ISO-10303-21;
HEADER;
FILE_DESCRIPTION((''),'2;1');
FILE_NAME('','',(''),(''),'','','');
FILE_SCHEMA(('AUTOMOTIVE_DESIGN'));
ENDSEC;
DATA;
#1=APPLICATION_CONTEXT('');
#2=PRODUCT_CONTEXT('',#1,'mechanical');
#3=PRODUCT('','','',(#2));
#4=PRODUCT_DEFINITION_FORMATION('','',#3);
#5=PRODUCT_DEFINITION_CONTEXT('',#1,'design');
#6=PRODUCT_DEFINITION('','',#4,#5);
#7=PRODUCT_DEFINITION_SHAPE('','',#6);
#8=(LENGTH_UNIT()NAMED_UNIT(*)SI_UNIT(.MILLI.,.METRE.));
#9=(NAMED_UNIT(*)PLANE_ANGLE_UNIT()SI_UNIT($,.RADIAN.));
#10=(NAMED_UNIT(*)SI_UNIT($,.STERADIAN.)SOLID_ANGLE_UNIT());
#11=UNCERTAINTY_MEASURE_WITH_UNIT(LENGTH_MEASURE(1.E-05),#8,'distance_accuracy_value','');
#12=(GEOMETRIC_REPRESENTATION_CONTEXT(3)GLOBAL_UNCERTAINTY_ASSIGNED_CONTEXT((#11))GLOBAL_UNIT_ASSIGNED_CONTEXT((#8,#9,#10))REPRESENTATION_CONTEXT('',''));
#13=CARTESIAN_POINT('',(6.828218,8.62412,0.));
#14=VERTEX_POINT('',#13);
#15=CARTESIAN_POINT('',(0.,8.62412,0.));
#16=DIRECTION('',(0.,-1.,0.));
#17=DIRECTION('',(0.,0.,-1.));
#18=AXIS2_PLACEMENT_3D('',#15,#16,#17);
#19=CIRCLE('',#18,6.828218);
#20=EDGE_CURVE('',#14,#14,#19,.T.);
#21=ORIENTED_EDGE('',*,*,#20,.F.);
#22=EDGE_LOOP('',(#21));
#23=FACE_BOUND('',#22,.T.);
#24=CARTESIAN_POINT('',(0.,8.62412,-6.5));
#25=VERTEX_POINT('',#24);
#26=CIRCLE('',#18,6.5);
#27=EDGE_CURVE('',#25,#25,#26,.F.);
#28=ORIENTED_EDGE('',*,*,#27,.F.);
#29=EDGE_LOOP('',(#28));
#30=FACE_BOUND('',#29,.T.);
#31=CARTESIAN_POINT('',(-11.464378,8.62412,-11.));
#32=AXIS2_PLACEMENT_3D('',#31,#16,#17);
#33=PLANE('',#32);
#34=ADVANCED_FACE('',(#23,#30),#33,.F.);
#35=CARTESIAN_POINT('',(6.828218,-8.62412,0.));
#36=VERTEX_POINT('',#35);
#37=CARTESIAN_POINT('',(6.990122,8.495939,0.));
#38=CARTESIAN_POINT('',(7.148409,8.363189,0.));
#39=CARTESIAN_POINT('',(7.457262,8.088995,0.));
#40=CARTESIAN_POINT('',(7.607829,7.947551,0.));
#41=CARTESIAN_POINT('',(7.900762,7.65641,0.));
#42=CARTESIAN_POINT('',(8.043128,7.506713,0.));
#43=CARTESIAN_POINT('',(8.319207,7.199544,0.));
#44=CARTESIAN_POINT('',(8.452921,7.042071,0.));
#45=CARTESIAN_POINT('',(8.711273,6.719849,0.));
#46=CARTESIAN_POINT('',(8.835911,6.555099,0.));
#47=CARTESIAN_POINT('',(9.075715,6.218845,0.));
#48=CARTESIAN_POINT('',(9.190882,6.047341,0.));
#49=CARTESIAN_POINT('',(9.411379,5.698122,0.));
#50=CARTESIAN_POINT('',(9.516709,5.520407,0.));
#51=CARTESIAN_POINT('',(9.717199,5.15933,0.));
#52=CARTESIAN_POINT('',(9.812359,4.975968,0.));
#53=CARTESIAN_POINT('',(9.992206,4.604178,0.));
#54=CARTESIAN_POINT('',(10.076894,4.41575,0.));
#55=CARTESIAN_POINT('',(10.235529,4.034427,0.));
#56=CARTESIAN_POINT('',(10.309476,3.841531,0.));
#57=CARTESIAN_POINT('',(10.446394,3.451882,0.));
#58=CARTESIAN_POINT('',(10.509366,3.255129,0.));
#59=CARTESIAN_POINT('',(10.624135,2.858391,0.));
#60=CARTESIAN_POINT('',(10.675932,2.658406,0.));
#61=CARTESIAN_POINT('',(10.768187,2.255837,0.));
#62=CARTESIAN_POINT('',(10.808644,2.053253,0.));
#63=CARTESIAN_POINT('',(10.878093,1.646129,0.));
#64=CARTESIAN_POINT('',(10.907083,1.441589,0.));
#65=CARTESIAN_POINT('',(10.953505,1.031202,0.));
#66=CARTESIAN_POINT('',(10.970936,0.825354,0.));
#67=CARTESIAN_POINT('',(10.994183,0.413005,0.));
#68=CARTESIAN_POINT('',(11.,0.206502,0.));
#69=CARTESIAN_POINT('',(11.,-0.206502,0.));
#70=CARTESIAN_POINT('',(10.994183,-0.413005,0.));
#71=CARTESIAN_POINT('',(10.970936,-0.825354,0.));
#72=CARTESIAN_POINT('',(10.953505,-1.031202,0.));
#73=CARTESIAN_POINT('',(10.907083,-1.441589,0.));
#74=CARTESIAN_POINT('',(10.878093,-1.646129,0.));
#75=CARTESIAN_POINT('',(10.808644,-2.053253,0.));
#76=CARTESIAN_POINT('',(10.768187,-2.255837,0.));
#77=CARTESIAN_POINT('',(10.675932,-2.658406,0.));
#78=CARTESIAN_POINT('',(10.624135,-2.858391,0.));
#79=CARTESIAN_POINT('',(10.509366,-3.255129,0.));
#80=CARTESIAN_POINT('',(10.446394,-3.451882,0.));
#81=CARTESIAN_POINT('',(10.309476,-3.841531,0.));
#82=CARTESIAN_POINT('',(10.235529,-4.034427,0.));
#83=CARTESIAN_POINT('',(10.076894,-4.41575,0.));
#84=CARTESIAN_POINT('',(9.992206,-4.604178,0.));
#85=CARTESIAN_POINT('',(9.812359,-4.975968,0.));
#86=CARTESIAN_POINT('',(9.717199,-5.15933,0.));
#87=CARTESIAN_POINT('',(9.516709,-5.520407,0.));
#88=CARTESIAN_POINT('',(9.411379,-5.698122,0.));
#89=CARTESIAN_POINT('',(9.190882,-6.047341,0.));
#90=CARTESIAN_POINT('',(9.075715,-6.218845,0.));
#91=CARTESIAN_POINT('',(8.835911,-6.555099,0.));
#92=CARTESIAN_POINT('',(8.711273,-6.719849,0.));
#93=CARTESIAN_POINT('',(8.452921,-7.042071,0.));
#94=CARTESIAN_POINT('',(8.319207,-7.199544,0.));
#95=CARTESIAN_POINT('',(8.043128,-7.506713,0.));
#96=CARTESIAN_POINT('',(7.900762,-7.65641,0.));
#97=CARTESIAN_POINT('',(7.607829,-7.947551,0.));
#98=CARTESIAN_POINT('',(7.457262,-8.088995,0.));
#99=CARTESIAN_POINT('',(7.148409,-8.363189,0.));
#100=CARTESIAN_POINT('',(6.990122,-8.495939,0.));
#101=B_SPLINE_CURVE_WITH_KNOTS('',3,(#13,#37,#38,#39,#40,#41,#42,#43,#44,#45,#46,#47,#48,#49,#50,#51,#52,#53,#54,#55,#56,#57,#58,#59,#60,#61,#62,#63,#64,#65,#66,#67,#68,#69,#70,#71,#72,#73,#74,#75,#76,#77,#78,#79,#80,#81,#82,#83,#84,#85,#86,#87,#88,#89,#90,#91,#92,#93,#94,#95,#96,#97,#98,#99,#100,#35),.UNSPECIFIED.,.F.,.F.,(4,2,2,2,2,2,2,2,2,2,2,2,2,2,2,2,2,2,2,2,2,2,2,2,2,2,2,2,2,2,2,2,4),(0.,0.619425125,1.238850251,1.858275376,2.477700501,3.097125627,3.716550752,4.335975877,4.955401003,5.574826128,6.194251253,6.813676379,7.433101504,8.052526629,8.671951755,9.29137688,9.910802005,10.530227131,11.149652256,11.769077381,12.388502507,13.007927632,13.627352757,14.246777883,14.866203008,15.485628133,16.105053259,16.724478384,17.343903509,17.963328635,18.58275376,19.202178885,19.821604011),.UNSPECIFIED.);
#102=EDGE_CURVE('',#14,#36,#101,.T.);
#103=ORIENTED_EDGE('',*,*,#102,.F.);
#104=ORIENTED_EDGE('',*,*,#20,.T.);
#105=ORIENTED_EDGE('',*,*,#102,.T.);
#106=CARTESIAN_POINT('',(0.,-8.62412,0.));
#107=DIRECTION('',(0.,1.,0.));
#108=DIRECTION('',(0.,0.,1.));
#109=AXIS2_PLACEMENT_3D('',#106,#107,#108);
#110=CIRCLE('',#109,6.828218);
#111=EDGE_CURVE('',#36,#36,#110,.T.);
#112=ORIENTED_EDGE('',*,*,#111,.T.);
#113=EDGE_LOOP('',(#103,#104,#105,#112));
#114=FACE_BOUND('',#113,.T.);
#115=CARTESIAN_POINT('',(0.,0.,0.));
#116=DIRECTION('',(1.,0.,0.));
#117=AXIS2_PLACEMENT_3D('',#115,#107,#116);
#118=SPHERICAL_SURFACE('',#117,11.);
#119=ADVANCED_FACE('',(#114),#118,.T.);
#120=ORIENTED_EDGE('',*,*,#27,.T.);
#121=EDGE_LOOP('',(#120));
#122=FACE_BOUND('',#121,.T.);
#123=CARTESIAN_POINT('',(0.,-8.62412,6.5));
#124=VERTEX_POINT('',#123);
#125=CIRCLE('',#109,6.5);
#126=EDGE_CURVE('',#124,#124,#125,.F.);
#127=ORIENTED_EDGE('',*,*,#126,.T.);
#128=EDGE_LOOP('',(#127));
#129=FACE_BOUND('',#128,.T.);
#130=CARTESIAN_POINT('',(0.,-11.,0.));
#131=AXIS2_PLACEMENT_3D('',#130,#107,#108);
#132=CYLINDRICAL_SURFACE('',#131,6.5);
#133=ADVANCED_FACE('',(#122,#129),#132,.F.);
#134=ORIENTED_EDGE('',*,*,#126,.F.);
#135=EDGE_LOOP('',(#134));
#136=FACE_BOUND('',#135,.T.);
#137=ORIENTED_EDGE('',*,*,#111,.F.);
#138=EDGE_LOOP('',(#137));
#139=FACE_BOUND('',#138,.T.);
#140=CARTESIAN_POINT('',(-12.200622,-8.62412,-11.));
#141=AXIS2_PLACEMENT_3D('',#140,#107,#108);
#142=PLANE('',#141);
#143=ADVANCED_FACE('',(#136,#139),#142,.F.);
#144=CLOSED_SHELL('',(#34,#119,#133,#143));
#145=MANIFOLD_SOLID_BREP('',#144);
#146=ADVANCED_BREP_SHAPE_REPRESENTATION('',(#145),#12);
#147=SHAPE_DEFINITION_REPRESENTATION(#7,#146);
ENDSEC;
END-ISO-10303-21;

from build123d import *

# Parameters (mm, degrees)
CUT_EXTRUDE1_DEPTH      = 20.052558883
CUT_EXTRUDE1_DEPTH_BACK = 20.052558883
SKETCH2_R               = 6.5
CUT_EXTRUDE2_DEPTH      = 18.909494689
CUT_EXTRUDE2_DEPTH_BACK = 18.909494689
SKETCH3_W               = 22.753459083
SKETCH3_H               = 0.25
SKETCH3_W_2             = 23.945473889


with BuildPart() as part:
    # Sketch1 → Revolve1 (revolve)
    with BuildSketch(Plane.XY):
        with BuildLine():
            Line((0, 11), (0, -11))
            ThreePointArc((0, -11), (11, 0), (0, 11))
        make_face()
    revolve(axis=Axis((0, 11, 0), (0, -1, 0)))

    # Sketch2 → Cut-Extrude1 (cut, two sides: drawn at the far end of the back side and taken through both)
    with BuildSketch(Plane(origin=(0, 0, 0), x_dir=(1, 0, 0), z_dir=(0, 1, 0)).offset(-CUT_EXTRUDE1_DEPTH_BACK)):
        Circle(SKETCH2_R)
    extrude(amount=CUT_EXTRUDE1_DEPTH + CUT_EXTRUDE1_DEPTH_BACK, mode=Mode.SUBTRACT)

    # Sketch3 → Cut-Extrude2 (cut, two sides: drawn at the far end of the back side and taken through both)
    with BuildSketch(Plane.XY.offset(-CUT_EXTRUDE2_DEPTH_BACK)):
        with Locations((-0.087648148, 8.749119675)):
            Rectangle(SKETCH3_W, SKETCH3_H)
        with Locations((-0.227885183, -8.749119675)):
            Rectangle(SKETCH3_W_2, SKETCH3_H)
    extrude(amount=CUT_EXTRUDE2_DEPTH + CUT_EXTRUDE2_DEPTH_BACK, mode=Mode.SUBTRACT)


solid = part.part
